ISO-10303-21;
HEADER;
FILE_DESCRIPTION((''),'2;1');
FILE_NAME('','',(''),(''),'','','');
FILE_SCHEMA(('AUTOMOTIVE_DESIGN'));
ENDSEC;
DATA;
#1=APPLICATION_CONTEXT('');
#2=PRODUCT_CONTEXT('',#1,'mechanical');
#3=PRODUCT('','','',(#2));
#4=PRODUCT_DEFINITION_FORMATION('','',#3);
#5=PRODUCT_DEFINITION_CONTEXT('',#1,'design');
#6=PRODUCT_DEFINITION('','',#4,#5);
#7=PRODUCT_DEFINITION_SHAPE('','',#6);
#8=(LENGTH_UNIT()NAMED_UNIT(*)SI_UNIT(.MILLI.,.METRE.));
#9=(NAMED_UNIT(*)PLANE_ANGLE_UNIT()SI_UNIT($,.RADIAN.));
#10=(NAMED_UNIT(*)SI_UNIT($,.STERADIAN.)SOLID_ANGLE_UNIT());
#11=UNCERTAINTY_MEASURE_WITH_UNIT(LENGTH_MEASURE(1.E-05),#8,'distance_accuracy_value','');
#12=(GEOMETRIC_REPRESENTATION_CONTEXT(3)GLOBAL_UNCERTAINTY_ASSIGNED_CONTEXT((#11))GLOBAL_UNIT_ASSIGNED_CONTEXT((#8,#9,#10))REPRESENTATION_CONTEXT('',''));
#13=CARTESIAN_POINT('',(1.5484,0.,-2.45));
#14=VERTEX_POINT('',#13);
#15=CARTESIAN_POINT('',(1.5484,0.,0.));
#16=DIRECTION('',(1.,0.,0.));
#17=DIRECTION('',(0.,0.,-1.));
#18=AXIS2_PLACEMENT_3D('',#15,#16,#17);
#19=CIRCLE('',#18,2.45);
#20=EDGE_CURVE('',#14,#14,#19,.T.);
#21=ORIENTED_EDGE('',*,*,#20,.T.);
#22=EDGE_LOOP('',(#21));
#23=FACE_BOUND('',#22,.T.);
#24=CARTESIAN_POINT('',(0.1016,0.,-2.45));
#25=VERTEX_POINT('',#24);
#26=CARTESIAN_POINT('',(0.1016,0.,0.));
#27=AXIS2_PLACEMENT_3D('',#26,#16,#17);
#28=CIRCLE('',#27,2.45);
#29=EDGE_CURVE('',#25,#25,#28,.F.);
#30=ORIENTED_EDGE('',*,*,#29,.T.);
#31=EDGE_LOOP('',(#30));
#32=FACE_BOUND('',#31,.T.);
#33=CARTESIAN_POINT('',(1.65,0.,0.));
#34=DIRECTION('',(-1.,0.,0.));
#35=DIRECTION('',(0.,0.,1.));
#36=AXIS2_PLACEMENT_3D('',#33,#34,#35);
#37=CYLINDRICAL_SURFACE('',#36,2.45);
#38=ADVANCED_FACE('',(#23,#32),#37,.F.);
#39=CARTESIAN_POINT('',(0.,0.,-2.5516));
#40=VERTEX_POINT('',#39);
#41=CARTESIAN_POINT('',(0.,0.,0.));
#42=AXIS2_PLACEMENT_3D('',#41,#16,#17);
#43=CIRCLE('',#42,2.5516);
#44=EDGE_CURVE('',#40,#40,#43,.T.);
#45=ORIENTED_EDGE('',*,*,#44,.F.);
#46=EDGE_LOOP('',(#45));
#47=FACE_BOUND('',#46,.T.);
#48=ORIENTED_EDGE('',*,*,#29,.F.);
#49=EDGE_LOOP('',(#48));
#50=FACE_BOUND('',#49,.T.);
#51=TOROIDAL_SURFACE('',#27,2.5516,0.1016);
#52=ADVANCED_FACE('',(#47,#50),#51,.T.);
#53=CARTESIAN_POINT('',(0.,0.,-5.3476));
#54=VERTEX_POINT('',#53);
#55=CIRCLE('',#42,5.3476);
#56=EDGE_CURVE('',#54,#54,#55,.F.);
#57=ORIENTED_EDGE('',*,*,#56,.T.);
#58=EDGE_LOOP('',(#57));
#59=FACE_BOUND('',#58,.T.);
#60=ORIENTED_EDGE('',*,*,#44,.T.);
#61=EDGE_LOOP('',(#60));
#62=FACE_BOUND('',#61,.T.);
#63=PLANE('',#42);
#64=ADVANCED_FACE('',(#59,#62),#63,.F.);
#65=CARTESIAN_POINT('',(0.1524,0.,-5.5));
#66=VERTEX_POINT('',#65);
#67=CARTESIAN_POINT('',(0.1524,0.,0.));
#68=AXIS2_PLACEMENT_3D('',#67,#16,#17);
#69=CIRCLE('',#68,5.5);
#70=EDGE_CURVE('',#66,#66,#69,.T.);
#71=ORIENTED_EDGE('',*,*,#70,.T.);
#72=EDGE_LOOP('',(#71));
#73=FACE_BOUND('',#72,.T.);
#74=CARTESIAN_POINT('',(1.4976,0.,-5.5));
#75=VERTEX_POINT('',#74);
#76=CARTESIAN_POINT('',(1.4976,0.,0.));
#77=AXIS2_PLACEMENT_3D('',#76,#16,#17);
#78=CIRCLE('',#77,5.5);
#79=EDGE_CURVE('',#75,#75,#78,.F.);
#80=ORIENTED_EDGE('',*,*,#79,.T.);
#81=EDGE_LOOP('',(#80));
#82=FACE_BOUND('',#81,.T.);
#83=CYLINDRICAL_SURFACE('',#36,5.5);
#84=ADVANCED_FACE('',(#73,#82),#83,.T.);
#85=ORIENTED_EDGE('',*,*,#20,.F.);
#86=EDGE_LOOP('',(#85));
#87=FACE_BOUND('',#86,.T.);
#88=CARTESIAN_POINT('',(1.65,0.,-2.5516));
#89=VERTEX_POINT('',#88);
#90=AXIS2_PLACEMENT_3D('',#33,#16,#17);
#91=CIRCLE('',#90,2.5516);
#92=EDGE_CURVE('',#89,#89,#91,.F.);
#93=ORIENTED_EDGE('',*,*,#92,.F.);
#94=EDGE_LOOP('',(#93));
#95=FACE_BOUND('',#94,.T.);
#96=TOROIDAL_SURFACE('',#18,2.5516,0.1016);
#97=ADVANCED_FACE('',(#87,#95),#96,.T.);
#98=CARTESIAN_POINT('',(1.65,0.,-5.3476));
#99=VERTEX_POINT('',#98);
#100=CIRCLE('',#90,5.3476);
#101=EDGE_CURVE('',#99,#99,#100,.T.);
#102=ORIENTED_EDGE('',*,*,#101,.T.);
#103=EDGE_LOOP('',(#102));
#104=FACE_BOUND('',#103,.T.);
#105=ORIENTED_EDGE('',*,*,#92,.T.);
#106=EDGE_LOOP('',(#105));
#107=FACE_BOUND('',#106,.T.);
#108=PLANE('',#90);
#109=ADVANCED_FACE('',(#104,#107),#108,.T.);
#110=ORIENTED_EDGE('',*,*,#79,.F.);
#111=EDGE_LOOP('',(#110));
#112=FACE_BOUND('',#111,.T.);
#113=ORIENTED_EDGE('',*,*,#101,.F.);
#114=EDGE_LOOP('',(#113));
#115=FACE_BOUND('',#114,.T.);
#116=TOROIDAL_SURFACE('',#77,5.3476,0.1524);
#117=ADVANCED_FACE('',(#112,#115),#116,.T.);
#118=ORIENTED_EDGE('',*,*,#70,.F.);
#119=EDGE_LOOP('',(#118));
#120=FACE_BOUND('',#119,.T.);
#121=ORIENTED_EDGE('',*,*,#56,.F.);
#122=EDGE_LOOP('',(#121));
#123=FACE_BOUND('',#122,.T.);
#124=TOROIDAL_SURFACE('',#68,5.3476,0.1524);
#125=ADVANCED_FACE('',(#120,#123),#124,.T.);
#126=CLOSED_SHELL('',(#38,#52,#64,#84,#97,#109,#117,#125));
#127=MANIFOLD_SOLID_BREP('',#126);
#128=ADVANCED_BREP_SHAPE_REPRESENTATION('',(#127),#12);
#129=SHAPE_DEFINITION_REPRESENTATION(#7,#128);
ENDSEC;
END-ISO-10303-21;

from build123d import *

# Parameters (mm, degrees)
SKETCH1_R           = 5.5
SKETCH1_R_2         = 2.45
BOSS_EXTRUDE1_DEPTH = 1.65
FILLET1_R           = 0.1524
FILLET2_R           = 0.1016


with BuildPart() as part:
    # Sketch1 → Boss-Extrude1 (new body)
    with BuildSketch(Plane(origin=(0, 0, 0), x_dir=(0, 0, -1), z_dir=(1, 0, 0))):
        Circle(SKETCH1_R)
        Circle(SKETCH1_R_2, mode=Mode.SUBTRACT)
    extrude(amount=BOSS_EXTRUDE1_DEPTH)

    # Fillet1
    fillet1_edges = [part.edges().sort_by_distance(p)[0] for p in [
        (0, 0, 5.5),
        (1.65, 0, 5.5),
    ]]
    fillet(fillet1_edges, radius=FILLET1_R)

    # Fillet2
    fillet2_edges = [part.edges().sort_by_distance(p)[0] for p in [
        (0, 0, 2.45),
        (1.65, 0, 2.45),
    ]]
    fillet(fillet2_edges, radius=FILLET2_R)


solid = part.part
